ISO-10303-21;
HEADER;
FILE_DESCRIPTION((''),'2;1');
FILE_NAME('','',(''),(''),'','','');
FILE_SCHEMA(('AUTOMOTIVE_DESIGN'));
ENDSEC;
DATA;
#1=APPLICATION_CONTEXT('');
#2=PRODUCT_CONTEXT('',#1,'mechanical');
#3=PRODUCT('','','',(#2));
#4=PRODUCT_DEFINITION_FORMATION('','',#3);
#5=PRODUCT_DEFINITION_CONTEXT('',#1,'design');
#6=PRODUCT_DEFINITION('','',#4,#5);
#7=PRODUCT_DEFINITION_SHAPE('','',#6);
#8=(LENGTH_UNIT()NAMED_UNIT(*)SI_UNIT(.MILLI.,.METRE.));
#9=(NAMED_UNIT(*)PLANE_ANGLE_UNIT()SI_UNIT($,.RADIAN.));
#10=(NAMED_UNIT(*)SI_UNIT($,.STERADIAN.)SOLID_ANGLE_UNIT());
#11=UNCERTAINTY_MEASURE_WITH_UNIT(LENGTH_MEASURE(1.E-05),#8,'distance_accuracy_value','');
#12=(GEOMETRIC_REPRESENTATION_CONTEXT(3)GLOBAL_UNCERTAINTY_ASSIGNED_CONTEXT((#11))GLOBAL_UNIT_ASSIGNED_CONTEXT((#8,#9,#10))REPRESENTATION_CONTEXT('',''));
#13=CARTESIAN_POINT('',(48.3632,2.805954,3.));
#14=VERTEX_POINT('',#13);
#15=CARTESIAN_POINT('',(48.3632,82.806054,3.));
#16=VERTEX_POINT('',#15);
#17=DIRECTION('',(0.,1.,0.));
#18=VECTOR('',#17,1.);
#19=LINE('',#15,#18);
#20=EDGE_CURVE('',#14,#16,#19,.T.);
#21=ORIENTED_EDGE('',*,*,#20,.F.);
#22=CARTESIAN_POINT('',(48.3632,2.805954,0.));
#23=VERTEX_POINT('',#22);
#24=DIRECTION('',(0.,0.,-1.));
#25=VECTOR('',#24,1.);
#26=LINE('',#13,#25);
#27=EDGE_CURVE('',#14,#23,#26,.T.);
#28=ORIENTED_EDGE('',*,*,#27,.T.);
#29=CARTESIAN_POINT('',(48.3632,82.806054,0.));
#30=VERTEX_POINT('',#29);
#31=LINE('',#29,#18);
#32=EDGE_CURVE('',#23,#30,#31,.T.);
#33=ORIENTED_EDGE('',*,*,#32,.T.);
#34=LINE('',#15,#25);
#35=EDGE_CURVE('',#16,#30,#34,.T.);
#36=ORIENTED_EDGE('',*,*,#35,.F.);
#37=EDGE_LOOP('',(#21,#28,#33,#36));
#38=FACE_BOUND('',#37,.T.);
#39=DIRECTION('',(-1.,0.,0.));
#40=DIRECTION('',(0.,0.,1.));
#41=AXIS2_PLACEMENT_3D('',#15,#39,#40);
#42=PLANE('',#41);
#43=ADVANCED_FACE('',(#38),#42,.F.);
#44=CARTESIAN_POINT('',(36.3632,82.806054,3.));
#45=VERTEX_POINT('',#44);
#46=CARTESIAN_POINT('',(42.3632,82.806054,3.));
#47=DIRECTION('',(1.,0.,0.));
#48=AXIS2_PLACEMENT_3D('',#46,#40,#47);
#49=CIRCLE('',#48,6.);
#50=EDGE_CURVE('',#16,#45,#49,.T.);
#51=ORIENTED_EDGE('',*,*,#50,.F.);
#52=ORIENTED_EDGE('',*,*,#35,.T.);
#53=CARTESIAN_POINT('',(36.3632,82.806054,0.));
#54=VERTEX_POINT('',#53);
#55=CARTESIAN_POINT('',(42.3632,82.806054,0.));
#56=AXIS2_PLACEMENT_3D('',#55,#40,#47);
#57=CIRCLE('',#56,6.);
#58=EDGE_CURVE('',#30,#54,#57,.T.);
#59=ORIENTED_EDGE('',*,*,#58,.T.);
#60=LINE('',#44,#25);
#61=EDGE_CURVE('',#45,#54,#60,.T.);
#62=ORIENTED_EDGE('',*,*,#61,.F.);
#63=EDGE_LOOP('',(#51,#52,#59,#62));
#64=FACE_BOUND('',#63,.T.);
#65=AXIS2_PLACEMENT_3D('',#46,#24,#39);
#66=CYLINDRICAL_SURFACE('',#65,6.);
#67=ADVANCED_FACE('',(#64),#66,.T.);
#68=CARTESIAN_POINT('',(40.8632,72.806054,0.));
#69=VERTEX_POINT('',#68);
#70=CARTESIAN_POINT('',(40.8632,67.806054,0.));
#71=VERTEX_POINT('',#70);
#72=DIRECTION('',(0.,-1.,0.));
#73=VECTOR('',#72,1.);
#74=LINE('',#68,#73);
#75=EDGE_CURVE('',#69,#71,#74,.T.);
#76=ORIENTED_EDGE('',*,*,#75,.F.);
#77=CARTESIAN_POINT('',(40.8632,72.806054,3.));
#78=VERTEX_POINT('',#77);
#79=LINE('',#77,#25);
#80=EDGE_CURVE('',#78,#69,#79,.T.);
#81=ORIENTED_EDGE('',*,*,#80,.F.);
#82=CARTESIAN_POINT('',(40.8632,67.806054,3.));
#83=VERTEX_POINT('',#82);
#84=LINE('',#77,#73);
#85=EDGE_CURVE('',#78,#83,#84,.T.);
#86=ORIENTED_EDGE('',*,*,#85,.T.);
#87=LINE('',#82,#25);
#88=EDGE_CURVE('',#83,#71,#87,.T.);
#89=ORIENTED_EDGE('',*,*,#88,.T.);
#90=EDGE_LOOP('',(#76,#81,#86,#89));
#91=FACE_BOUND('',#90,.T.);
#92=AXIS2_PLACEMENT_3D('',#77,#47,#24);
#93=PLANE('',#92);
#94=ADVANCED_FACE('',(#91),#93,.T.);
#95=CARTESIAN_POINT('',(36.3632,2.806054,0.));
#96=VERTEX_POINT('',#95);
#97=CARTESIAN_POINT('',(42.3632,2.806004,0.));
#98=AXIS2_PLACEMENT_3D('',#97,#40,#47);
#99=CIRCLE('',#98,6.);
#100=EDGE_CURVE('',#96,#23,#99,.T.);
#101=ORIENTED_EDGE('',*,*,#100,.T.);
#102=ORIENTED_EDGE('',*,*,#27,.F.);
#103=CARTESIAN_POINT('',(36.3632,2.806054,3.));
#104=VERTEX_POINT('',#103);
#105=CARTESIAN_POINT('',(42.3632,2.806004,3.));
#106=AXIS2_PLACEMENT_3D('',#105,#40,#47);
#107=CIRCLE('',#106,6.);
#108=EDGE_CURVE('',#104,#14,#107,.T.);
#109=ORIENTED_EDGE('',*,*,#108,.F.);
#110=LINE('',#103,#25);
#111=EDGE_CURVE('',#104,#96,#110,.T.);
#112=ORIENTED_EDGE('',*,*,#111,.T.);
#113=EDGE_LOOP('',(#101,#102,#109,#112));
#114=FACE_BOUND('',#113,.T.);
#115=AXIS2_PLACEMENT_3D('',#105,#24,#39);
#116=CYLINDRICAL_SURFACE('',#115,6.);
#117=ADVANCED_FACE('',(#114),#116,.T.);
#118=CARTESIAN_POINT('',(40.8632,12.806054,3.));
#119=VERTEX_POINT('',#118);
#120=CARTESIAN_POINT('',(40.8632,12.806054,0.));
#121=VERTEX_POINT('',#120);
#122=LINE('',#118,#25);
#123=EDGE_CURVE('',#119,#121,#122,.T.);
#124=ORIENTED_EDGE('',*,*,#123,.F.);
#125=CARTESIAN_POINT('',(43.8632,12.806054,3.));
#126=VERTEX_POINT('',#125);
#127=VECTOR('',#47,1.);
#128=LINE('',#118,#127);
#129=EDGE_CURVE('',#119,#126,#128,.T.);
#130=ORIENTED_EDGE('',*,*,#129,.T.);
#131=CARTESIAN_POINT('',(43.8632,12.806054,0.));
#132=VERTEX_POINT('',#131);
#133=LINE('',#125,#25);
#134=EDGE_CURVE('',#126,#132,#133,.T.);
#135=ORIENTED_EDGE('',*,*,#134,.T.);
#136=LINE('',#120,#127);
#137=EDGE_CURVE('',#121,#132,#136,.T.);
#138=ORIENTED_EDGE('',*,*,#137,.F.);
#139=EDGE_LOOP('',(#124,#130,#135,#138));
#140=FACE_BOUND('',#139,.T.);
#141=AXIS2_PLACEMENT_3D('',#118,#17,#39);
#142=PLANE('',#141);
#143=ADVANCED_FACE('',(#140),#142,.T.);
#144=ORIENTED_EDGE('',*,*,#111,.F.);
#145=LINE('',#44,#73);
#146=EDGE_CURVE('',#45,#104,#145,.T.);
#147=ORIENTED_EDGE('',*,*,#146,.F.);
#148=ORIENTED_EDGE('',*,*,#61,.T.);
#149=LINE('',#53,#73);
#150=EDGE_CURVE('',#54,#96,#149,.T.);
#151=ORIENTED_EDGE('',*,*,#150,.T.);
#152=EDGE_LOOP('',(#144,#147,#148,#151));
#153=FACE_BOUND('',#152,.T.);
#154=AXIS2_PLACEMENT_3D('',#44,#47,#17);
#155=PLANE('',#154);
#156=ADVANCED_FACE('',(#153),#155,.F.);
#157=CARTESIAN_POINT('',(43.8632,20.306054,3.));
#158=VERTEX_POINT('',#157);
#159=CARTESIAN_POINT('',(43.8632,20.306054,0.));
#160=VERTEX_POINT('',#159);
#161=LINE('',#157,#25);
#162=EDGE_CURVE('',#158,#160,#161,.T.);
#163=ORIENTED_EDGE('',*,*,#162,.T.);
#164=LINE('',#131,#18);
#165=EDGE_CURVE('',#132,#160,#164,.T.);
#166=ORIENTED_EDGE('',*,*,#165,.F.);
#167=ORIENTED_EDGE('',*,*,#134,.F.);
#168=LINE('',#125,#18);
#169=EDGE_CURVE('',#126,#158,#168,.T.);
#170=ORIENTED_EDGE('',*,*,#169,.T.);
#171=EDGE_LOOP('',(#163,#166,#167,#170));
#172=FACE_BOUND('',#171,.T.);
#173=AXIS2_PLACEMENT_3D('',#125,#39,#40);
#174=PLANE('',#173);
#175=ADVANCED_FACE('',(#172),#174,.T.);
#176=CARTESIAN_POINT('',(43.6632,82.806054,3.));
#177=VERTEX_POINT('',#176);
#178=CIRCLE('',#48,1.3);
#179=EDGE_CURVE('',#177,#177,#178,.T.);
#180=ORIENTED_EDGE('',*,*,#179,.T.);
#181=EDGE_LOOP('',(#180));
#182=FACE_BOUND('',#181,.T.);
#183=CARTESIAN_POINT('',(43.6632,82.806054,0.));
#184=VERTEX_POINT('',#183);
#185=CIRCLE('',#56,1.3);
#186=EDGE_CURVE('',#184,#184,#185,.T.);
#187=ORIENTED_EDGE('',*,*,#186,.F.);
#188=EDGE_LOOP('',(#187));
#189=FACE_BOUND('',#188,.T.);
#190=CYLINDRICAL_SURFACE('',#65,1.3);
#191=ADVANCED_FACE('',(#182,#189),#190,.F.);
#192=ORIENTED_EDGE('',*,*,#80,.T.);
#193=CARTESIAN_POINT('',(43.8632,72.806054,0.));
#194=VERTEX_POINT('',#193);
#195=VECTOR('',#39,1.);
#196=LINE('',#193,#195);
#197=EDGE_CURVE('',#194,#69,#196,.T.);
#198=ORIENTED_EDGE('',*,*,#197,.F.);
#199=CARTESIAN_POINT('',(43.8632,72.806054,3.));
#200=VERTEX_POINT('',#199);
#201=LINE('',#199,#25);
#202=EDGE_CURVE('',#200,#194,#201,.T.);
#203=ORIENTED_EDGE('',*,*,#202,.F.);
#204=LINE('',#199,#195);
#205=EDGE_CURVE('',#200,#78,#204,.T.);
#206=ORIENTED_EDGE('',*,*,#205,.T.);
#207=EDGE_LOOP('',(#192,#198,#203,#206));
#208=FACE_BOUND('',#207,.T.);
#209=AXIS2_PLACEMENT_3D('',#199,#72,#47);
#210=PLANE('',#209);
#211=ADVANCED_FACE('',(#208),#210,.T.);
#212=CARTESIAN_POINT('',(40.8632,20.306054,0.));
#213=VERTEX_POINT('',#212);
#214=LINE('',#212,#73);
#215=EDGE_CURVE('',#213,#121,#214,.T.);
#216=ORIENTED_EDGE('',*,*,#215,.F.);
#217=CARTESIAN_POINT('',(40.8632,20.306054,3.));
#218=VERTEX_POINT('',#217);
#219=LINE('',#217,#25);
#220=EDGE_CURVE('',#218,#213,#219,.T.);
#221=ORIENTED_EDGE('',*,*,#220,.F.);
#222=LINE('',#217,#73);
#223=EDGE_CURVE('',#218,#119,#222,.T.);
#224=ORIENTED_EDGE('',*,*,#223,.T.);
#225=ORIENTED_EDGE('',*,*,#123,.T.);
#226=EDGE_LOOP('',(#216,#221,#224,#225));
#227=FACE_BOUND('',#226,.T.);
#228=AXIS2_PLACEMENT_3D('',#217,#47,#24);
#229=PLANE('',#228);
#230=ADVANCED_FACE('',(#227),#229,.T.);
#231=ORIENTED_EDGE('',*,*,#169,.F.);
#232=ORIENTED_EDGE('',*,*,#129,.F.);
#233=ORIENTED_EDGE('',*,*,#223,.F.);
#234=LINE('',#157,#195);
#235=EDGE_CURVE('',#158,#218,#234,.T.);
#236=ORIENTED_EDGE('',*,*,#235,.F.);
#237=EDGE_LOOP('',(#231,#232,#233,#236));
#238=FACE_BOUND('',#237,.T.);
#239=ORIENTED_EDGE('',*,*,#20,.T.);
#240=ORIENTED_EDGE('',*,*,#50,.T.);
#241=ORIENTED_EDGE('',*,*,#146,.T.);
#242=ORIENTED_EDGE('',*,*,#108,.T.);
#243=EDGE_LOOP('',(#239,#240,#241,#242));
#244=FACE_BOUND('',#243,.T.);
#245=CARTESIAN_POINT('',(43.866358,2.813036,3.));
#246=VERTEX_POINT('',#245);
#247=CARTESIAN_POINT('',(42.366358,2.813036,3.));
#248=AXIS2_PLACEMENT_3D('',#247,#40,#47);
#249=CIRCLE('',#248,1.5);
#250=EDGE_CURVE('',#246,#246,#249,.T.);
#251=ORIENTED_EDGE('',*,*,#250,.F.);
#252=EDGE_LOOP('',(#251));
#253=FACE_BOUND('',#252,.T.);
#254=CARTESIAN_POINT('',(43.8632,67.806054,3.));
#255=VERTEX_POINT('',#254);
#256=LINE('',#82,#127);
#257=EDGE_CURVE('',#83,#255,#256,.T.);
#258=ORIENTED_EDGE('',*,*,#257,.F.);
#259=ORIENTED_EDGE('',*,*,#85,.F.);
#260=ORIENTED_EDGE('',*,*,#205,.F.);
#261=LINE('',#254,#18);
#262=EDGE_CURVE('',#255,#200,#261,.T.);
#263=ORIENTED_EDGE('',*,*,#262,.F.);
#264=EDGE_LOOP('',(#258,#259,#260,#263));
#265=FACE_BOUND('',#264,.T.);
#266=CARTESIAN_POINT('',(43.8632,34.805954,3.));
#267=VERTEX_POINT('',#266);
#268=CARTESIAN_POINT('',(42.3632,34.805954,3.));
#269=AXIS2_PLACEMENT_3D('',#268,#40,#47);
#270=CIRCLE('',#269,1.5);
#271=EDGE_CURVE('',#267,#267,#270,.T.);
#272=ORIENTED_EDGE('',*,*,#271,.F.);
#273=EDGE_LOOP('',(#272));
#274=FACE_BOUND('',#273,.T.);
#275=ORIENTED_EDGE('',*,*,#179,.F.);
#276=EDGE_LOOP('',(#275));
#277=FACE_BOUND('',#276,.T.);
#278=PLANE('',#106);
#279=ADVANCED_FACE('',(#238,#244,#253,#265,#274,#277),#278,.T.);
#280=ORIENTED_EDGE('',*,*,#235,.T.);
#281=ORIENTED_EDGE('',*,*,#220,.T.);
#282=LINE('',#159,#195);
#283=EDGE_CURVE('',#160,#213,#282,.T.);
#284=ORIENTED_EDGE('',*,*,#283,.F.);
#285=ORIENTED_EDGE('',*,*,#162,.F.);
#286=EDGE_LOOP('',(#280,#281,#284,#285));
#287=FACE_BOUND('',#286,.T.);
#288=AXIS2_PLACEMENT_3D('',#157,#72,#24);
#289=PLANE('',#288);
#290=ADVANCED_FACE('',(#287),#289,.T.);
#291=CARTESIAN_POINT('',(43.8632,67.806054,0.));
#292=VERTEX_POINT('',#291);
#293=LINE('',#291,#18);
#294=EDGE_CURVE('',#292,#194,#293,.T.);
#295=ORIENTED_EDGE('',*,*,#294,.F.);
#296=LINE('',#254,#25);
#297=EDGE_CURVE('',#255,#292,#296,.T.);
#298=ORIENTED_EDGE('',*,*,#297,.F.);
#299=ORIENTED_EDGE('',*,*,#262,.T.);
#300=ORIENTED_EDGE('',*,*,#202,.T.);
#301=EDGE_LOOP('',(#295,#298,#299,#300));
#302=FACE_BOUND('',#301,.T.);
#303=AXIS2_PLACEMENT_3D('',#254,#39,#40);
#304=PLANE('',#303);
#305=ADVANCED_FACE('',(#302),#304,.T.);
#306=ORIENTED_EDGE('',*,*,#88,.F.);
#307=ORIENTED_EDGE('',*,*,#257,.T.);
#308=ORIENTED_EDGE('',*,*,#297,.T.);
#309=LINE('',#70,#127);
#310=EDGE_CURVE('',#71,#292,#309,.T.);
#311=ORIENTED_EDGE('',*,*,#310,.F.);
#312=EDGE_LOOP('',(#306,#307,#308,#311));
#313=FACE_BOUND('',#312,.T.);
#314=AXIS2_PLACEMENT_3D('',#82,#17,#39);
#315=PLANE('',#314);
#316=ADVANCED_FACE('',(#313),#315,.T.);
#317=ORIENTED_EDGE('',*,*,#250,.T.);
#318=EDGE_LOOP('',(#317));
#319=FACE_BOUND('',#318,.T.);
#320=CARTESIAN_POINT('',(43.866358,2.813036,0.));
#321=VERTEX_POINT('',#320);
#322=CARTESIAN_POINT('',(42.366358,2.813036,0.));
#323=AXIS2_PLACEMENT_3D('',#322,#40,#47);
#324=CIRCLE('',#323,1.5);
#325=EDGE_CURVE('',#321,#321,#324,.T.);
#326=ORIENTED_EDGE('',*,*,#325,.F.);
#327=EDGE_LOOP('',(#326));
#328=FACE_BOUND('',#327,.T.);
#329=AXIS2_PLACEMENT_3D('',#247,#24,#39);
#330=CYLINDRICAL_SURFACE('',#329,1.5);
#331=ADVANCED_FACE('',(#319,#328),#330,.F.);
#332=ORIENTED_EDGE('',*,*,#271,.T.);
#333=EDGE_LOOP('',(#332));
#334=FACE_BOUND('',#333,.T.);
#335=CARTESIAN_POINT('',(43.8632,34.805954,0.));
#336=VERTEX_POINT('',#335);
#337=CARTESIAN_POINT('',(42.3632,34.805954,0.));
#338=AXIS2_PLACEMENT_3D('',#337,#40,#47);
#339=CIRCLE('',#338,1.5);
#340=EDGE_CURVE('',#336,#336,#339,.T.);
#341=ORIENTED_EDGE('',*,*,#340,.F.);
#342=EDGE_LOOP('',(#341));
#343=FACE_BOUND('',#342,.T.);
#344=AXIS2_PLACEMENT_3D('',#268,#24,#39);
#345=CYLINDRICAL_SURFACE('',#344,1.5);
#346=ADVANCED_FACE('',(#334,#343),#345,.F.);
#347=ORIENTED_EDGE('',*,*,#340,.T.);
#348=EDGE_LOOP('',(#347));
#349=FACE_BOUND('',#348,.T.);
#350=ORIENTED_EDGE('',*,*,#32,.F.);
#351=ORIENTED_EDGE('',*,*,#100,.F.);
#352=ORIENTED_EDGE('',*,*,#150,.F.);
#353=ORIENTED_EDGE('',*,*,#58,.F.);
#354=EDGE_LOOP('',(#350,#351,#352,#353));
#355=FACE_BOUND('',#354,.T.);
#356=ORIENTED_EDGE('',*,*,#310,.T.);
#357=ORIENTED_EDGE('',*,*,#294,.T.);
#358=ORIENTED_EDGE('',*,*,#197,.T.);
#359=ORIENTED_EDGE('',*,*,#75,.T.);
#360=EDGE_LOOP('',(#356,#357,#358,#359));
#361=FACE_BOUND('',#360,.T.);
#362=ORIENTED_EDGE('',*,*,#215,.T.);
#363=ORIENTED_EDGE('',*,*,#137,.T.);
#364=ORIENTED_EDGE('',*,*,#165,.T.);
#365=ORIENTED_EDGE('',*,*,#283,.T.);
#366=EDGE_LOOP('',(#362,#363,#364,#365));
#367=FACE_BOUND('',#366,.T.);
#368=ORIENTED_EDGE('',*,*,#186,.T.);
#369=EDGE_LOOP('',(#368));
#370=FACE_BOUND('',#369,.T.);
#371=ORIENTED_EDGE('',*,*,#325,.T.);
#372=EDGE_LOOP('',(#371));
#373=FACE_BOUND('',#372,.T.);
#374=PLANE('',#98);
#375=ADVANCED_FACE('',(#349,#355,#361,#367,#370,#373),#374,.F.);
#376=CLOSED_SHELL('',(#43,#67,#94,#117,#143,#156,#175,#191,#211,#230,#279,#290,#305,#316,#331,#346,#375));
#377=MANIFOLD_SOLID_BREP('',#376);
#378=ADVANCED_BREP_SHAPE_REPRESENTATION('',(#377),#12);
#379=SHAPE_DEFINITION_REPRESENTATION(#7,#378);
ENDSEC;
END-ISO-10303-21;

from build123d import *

# Parameters (mm, degrees)
MODEL_R             = 1.5
MODEL_R_2           = 1.299999998
MODEL_W             = 3
MODEL_H             = 5
MODEL_H_2           = 7.5
BOSS_EXTRUDE1_DEPTH = 3


with BuildPart() as part:
    # Model → Boss-Extrude1 (new body)
    with BuildSketch(Plane.XY):
        with BuildLine():
            Line((36.3632, 82.806053789), (36.3632, 2.806053789))
            ThreePointArc((36.3632, 2.806053789), (42.36315, -3.193996211), (48.3632, 2.805953789))
            Line((48.3632, 2.805953789), (48.3632, 82.806053789))
            ThreePointArc((48.3632, 82.806053789), (42.3632, 88.806053789), (36.3632, 82.806053789))
        make_face()
        with Locations((42.3632, 34.805953789)):
            Circle(MODEL_R, mode=Mode.SUBTRACT)
        with Locations((42.366358052, 2.813035516)):
            Circle(MODEL_R, mode=Mode.SUBTRACT)
        with Locations((42.3632, 82.806053789)):
            Circle(MODEL_R_2, mode=Mode.SUBTRACT)
        with Locations((42.3632, 70.306053789)):
            Rectangle(MODEL_W, MODEL_H, mode=Mode.SUBTRACT)
        with Locations((42.3632, 16.556053789)):
            Rectangle(MODEL_W, MODEL_H_2, mode=Mode.SUBTRACT)
    extrude(amount=BOSS_EXTRUDE1_DEPTH)


solid = part.part
